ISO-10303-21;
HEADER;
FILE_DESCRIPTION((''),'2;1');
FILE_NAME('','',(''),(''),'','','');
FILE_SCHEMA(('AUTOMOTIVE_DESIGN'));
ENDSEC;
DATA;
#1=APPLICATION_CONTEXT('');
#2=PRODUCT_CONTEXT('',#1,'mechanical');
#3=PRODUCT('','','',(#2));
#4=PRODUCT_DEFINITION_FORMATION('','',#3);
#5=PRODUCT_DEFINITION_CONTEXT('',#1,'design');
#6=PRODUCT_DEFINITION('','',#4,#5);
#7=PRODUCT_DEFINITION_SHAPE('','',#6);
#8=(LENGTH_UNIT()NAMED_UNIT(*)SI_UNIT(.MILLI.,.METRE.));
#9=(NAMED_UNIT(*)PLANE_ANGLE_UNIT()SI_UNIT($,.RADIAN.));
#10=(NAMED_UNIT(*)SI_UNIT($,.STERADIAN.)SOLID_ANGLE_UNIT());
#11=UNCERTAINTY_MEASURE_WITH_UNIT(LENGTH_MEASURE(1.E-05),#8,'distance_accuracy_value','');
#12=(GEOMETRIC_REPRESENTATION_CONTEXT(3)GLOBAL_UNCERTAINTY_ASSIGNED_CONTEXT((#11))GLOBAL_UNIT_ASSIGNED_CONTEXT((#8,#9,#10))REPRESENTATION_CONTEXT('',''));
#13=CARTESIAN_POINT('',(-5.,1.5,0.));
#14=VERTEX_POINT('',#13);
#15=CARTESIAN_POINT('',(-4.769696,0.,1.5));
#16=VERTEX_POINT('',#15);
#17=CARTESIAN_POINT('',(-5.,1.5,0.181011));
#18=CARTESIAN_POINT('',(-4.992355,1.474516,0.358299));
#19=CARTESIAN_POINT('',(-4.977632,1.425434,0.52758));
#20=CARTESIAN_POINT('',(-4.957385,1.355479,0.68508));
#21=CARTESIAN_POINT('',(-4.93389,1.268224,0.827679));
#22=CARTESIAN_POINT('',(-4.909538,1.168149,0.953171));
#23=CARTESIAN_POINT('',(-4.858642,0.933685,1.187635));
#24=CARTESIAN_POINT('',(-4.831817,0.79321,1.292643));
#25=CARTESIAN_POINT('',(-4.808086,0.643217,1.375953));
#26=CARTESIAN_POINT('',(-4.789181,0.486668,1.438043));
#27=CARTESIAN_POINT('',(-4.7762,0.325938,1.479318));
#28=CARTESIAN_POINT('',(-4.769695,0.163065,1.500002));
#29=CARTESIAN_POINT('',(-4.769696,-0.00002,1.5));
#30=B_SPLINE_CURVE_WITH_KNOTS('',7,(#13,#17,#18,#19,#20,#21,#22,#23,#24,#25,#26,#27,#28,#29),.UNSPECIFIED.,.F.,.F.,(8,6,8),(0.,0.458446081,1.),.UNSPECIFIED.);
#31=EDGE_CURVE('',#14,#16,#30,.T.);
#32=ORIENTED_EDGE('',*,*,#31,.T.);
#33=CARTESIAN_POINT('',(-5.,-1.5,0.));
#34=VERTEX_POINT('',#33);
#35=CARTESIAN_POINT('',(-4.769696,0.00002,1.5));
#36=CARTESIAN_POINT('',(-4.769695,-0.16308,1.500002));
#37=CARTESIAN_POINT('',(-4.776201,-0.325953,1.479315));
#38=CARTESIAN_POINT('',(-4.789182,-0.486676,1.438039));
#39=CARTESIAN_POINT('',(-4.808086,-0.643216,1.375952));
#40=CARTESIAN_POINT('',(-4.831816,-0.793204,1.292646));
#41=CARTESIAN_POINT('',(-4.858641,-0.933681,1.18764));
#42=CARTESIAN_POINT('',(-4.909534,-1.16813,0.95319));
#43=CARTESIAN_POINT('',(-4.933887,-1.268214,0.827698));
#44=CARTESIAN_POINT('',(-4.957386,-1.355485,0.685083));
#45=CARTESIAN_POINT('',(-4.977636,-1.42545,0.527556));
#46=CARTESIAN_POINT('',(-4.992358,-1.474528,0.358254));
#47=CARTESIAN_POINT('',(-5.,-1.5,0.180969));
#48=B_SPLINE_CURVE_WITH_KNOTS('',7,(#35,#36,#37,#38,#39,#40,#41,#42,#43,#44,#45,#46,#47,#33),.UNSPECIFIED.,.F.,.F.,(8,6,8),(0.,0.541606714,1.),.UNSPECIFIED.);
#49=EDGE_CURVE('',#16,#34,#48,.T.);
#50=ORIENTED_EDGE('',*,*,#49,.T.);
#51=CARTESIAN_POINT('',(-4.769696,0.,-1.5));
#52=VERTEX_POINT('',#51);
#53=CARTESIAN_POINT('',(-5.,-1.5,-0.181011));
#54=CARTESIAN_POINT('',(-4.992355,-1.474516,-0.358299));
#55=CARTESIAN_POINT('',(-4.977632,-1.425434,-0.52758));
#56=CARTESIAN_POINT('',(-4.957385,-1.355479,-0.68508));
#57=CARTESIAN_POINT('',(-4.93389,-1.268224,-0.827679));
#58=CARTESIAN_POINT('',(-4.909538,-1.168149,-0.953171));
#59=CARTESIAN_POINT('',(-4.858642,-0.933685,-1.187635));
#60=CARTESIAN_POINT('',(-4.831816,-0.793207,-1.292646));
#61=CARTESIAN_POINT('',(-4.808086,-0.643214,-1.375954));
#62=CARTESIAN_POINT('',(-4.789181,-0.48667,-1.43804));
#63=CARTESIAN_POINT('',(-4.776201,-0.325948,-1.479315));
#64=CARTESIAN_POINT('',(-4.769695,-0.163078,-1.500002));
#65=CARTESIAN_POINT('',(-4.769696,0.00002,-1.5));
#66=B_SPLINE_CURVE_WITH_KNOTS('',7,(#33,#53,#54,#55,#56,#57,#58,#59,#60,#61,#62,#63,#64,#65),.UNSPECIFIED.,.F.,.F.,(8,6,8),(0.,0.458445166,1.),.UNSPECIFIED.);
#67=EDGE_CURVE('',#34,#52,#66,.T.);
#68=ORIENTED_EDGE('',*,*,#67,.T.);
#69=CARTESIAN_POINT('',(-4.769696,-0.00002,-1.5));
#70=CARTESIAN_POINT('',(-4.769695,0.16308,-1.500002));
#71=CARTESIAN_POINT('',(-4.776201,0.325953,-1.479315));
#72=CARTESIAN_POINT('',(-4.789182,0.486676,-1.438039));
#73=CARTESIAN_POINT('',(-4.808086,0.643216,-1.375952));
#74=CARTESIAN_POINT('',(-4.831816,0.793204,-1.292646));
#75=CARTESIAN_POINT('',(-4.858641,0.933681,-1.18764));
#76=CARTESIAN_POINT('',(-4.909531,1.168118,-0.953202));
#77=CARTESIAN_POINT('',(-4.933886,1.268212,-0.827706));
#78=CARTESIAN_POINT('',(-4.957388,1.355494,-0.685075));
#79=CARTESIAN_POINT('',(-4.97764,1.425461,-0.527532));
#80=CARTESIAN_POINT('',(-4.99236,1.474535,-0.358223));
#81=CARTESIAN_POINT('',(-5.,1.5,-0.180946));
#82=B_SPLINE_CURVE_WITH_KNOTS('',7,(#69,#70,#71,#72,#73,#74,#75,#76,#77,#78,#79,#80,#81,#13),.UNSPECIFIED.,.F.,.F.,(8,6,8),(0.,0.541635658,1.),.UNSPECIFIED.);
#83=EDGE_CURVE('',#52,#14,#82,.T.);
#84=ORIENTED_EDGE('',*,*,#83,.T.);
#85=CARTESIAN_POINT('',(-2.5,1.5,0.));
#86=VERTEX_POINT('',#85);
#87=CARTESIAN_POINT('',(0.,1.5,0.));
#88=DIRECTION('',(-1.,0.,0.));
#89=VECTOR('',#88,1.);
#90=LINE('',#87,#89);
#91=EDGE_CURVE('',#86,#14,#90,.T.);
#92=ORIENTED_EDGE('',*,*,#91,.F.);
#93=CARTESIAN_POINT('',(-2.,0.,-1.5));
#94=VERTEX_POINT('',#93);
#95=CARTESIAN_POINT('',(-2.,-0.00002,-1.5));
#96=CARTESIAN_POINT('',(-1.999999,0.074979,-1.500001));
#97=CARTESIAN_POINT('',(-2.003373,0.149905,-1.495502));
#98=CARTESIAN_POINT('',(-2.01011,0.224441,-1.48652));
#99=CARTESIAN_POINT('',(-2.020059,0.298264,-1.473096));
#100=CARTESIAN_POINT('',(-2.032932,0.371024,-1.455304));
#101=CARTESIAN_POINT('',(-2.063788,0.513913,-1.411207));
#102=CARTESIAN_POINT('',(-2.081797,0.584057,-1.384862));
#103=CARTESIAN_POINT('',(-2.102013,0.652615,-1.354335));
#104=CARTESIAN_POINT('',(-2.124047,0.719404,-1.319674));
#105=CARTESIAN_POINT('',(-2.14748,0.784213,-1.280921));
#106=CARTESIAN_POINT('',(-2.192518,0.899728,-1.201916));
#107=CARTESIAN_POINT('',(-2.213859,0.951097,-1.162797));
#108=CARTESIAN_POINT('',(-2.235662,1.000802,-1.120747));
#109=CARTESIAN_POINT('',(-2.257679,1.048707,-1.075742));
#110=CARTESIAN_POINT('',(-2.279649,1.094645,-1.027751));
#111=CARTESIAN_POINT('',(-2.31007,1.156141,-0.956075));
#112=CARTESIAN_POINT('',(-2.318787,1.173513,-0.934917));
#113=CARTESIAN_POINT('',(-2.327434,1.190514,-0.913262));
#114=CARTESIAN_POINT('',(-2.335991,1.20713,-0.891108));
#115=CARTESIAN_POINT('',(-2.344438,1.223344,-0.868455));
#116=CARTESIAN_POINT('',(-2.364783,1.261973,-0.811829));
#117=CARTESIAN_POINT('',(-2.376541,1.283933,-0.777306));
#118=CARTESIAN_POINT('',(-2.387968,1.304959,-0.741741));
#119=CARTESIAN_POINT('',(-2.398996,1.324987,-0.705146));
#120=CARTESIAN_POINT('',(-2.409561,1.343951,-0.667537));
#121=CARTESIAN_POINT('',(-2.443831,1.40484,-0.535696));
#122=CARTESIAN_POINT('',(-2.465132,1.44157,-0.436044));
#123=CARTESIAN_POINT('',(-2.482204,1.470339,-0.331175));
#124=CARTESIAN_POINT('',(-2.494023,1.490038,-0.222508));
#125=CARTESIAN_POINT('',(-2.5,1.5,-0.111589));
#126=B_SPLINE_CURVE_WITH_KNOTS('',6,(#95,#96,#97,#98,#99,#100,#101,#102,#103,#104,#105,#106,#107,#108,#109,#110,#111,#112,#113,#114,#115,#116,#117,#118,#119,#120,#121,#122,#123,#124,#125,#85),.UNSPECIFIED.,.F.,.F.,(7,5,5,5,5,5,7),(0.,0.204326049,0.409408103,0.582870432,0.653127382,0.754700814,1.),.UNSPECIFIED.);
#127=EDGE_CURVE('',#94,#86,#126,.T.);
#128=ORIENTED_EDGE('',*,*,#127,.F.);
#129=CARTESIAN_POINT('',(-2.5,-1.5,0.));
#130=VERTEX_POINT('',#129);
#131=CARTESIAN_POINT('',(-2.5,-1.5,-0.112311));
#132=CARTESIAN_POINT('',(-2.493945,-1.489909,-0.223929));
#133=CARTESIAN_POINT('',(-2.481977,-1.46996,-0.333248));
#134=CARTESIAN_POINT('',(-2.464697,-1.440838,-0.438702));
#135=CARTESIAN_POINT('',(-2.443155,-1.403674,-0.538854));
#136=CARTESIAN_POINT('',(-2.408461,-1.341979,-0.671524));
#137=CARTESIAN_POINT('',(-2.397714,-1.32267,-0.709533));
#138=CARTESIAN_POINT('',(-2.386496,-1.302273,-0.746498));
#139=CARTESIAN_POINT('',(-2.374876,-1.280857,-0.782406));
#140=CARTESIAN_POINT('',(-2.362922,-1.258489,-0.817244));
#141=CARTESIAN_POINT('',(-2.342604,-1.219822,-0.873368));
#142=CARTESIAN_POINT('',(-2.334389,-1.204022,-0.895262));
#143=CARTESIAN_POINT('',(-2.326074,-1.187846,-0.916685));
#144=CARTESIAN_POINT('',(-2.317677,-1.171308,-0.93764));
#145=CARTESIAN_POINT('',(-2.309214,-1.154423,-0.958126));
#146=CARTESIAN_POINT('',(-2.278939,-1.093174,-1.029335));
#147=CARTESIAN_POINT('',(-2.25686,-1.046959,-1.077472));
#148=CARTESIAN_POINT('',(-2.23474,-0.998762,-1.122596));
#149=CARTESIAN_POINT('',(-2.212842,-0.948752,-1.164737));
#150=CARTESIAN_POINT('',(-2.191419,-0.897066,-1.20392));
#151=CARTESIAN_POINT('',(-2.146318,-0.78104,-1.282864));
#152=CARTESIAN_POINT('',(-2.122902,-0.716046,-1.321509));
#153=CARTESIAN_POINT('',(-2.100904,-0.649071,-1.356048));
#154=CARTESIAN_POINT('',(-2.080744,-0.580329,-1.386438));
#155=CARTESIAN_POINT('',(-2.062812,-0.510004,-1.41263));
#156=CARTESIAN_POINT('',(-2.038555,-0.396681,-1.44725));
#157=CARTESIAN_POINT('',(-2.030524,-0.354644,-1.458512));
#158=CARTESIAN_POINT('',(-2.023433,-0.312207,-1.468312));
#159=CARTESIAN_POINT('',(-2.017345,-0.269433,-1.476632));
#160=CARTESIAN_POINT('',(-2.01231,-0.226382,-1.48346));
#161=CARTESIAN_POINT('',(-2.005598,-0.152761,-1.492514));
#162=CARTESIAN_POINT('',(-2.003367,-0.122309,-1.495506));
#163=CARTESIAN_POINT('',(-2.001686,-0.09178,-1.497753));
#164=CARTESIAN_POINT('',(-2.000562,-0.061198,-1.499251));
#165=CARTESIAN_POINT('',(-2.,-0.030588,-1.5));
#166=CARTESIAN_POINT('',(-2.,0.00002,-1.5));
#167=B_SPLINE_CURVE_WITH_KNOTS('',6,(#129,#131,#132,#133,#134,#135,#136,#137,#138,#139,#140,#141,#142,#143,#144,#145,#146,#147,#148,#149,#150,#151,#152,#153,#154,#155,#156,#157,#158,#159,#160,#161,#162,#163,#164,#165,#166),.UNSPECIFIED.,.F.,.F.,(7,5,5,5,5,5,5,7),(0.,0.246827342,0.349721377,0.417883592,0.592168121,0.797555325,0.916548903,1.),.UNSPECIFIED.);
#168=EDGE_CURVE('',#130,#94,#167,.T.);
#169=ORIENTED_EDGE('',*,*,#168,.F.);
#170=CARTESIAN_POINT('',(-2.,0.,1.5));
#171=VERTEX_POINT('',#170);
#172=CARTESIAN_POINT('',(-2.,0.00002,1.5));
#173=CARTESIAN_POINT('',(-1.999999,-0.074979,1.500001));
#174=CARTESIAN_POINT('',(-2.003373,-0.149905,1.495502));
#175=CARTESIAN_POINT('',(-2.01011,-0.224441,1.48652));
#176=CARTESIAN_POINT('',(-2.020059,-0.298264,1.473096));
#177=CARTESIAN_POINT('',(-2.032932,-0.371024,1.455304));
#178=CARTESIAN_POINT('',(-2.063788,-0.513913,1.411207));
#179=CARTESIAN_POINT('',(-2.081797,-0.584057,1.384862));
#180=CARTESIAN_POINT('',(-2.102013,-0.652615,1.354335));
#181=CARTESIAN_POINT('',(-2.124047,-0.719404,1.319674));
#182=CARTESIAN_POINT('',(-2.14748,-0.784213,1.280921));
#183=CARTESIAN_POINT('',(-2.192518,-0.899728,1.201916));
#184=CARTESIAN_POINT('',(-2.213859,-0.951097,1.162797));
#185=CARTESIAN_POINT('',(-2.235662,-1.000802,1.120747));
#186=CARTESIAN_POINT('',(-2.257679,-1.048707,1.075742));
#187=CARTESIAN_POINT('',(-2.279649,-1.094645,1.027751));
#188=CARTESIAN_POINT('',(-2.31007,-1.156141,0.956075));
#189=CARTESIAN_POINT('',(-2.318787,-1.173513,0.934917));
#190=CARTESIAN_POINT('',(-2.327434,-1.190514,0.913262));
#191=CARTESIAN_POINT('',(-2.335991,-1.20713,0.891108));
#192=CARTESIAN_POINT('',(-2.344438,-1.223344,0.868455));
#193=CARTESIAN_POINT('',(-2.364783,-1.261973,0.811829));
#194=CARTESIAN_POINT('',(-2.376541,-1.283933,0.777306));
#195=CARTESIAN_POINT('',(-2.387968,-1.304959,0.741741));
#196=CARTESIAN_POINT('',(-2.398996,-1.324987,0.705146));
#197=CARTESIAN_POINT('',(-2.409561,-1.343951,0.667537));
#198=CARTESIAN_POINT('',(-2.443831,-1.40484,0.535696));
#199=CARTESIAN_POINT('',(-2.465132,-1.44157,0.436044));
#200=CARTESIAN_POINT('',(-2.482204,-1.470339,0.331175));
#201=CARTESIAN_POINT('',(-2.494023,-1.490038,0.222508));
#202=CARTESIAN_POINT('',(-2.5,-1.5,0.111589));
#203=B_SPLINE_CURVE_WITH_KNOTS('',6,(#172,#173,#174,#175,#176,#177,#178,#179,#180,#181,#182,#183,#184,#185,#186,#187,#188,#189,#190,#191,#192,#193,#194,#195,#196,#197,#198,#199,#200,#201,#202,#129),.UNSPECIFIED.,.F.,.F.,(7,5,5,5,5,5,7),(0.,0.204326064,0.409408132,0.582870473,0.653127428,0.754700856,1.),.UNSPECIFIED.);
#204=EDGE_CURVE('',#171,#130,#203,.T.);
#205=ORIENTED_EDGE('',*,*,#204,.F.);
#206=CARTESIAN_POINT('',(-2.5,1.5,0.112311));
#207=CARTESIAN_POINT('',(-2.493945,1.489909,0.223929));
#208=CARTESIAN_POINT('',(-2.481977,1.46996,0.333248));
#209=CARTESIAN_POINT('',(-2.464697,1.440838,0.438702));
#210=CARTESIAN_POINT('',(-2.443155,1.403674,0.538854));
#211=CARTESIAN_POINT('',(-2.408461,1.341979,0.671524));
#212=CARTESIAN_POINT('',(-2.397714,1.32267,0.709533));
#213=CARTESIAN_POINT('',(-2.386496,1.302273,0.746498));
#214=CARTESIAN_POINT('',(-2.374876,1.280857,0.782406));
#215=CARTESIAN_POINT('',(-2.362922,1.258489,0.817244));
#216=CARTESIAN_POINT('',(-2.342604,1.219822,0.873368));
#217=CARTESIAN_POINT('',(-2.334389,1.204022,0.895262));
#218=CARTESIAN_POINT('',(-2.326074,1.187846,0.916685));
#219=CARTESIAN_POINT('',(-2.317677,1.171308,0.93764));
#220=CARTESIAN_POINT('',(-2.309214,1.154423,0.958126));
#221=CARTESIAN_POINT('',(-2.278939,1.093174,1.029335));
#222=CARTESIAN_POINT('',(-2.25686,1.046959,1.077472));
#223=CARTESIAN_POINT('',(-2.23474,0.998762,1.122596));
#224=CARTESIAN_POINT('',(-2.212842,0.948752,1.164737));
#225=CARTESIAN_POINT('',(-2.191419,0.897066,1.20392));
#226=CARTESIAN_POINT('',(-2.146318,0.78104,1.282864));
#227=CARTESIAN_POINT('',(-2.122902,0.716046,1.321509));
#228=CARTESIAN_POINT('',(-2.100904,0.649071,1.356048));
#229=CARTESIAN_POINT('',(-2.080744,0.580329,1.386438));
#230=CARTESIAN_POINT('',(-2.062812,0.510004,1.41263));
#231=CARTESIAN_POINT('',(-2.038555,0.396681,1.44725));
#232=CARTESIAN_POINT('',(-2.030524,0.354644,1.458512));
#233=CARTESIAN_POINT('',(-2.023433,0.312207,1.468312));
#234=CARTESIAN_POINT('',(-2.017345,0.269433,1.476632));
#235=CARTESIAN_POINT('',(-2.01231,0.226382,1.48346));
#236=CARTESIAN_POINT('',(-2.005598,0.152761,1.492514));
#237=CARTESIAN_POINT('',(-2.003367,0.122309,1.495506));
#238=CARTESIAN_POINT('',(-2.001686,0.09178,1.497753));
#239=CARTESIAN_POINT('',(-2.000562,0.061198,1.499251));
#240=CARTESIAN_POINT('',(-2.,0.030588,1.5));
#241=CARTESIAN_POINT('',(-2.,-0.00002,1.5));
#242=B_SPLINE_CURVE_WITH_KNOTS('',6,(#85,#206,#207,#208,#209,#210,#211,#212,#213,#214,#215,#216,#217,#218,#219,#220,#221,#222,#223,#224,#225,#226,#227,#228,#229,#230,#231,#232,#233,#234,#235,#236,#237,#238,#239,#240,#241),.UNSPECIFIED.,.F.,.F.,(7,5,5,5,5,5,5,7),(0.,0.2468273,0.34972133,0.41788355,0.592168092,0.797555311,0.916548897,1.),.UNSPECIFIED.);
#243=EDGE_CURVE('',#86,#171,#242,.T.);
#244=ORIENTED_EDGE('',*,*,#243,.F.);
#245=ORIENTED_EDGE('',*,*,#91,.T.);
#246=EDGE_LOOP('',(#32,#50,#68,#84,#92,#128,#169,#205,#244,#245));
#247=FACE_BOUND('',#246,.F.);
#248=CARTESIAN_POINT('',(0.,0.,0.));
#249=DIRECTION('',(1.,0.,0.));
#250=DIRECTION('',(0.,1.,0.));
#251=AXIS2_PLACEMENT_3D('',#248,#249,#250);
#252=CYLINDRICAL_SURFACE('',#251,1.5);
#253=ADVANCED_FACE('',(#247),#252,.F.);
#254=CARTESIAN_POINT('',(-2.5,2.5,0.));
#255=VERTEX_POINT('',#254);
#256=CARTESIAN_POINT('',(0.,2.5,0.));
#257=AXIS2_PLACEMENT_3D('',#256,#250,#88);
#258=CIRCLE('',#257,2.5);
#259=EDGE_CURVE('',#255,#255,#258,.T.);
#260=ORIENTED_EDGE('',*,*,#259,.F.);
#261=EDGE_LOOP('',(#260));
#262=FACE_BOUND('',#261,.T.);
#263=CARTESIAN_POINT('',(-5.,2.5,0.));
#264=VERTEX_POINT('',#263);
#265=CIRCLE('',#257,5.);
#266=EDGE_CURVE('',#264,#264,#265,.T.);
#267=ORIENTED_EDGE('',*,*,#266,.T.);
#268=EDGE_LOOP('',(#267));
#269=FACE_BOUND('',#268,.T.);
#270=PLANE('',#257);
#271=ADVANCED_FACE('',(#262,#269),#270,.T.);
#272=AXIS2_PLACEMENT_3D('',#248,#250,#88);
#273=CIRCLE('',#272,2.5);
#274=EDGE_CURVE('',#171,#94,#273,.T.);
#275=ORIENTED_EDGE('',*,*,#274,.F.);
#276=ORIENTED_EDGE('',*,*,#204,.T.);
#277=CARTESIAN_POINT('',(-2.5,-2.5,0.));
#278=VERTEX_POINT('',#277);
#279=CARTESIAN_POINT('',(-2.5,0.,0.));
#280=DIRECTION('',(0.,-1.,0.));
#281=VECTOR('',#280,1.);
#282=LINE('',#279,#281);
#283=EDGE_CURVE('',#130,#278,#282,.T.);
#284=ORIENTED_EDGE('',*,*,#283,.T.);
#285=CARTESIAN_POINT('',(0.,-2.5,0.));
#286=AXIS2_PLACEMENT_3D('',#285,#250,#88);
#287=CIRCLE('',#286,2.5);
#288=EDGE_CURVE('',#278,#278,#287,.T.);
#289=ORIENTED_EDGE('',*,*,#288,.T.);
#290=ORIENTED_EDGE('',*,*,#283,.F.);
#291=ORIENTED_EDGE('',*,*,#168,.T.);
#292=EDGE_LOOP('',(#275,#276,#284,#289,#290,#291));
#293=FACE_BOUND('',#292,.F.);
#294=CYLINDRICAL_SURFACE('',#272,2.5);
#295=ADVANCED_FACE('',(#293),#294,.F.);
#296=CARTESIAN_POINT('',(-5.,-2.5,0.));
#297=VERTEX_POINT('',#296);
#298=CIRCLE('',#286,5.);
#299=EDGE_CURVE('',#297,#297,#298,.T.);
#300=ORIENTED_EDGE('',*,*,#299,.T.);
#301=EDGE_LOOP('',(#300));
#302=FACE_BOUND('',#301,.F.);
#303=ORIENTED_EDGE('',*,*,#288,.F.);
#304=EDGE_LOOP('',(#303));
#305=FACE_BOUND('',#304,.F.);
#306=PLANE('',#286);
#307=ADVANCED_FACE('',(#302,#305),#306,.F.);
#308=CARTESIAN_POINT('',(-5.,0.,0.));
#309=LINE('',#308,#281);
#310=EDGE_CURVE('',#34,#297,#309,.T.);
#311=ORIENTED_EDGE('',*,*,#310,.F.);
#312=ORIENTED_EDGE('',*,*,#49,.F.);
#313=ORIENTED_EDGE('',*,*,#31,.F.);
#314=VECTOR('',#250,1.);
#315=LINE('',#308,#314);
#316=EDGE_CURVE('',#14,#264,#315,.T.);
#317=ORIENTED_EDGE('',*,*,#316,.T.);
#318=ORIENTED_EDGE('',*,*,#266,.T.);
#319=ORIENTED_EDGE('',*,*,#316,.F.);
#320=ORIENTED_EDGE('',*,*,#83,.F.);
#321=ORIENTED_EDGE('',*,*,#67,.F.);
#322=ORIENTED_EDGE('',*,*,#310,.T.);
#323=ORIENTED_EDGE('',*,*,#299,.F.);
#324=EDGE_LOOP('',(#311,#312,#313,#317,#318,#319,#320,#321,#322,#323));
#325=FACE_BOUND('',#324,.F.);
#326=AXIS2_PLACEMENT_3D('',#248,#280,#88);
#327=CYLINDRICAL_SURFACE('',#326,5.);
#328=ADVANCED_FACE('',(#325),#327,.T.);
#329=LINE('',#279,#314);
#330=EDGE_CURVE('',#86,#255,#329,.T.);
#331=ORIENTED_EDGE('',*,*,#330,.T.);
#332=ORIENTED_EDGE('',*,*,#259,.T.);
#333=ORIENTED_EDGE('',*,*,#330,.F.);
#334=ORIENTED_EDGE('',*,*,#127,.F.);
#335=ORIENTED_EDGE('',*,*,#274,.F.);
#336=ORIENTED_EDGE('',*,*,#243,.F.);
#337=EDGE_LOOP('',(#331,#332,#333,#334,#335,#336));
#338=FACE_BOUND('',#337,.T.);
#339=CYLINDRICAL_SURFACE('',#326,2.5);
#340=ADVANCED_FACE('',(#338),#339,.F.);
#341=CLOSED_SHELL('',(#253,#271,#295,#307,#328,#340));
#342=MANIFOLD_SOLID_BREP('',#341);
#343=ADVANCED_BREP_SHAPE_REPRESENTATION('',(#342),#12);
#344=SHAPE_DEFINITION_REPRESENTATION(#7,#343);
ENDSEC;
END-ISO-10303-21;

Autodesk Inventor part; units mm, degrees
ref_plane "YZ Plane" through (0, 0, 0) normal (1, 0, 0) x (0, 1, 0)
ref_plane "XZ Plane" through (0, 0, 0) normal (0, 1, 0) x (-1, 0, 0)
ref_plane "XY Plane" through (0, 0, 0) normal (0, 0, 1) x (1, 0, 0)
sketch "Sketch1" plane through (0, 0, 0) normal (0, 1, 0) x (-1, 0, 0)
  circle A0 centre (0, 0) radius 5
  circle A1 centre (0, 0) radius 2.5
  dimension "d0" = 10
  dimension "d1" = 5
extrude "Extrusion1" add sketch "Sketch1" along normal mid plane 5
sketch "Sketch2" plane through (0, 0, 0) normal (1, 0, 0) x (0, 1, 0)
  circle A0 centre (0, 0) radius 1.5
  dimension "d4" = 3
extrude "Extrusion2" cut sketch "Sketch2" against normal through all
properties part number "Fermo 5 mm"
